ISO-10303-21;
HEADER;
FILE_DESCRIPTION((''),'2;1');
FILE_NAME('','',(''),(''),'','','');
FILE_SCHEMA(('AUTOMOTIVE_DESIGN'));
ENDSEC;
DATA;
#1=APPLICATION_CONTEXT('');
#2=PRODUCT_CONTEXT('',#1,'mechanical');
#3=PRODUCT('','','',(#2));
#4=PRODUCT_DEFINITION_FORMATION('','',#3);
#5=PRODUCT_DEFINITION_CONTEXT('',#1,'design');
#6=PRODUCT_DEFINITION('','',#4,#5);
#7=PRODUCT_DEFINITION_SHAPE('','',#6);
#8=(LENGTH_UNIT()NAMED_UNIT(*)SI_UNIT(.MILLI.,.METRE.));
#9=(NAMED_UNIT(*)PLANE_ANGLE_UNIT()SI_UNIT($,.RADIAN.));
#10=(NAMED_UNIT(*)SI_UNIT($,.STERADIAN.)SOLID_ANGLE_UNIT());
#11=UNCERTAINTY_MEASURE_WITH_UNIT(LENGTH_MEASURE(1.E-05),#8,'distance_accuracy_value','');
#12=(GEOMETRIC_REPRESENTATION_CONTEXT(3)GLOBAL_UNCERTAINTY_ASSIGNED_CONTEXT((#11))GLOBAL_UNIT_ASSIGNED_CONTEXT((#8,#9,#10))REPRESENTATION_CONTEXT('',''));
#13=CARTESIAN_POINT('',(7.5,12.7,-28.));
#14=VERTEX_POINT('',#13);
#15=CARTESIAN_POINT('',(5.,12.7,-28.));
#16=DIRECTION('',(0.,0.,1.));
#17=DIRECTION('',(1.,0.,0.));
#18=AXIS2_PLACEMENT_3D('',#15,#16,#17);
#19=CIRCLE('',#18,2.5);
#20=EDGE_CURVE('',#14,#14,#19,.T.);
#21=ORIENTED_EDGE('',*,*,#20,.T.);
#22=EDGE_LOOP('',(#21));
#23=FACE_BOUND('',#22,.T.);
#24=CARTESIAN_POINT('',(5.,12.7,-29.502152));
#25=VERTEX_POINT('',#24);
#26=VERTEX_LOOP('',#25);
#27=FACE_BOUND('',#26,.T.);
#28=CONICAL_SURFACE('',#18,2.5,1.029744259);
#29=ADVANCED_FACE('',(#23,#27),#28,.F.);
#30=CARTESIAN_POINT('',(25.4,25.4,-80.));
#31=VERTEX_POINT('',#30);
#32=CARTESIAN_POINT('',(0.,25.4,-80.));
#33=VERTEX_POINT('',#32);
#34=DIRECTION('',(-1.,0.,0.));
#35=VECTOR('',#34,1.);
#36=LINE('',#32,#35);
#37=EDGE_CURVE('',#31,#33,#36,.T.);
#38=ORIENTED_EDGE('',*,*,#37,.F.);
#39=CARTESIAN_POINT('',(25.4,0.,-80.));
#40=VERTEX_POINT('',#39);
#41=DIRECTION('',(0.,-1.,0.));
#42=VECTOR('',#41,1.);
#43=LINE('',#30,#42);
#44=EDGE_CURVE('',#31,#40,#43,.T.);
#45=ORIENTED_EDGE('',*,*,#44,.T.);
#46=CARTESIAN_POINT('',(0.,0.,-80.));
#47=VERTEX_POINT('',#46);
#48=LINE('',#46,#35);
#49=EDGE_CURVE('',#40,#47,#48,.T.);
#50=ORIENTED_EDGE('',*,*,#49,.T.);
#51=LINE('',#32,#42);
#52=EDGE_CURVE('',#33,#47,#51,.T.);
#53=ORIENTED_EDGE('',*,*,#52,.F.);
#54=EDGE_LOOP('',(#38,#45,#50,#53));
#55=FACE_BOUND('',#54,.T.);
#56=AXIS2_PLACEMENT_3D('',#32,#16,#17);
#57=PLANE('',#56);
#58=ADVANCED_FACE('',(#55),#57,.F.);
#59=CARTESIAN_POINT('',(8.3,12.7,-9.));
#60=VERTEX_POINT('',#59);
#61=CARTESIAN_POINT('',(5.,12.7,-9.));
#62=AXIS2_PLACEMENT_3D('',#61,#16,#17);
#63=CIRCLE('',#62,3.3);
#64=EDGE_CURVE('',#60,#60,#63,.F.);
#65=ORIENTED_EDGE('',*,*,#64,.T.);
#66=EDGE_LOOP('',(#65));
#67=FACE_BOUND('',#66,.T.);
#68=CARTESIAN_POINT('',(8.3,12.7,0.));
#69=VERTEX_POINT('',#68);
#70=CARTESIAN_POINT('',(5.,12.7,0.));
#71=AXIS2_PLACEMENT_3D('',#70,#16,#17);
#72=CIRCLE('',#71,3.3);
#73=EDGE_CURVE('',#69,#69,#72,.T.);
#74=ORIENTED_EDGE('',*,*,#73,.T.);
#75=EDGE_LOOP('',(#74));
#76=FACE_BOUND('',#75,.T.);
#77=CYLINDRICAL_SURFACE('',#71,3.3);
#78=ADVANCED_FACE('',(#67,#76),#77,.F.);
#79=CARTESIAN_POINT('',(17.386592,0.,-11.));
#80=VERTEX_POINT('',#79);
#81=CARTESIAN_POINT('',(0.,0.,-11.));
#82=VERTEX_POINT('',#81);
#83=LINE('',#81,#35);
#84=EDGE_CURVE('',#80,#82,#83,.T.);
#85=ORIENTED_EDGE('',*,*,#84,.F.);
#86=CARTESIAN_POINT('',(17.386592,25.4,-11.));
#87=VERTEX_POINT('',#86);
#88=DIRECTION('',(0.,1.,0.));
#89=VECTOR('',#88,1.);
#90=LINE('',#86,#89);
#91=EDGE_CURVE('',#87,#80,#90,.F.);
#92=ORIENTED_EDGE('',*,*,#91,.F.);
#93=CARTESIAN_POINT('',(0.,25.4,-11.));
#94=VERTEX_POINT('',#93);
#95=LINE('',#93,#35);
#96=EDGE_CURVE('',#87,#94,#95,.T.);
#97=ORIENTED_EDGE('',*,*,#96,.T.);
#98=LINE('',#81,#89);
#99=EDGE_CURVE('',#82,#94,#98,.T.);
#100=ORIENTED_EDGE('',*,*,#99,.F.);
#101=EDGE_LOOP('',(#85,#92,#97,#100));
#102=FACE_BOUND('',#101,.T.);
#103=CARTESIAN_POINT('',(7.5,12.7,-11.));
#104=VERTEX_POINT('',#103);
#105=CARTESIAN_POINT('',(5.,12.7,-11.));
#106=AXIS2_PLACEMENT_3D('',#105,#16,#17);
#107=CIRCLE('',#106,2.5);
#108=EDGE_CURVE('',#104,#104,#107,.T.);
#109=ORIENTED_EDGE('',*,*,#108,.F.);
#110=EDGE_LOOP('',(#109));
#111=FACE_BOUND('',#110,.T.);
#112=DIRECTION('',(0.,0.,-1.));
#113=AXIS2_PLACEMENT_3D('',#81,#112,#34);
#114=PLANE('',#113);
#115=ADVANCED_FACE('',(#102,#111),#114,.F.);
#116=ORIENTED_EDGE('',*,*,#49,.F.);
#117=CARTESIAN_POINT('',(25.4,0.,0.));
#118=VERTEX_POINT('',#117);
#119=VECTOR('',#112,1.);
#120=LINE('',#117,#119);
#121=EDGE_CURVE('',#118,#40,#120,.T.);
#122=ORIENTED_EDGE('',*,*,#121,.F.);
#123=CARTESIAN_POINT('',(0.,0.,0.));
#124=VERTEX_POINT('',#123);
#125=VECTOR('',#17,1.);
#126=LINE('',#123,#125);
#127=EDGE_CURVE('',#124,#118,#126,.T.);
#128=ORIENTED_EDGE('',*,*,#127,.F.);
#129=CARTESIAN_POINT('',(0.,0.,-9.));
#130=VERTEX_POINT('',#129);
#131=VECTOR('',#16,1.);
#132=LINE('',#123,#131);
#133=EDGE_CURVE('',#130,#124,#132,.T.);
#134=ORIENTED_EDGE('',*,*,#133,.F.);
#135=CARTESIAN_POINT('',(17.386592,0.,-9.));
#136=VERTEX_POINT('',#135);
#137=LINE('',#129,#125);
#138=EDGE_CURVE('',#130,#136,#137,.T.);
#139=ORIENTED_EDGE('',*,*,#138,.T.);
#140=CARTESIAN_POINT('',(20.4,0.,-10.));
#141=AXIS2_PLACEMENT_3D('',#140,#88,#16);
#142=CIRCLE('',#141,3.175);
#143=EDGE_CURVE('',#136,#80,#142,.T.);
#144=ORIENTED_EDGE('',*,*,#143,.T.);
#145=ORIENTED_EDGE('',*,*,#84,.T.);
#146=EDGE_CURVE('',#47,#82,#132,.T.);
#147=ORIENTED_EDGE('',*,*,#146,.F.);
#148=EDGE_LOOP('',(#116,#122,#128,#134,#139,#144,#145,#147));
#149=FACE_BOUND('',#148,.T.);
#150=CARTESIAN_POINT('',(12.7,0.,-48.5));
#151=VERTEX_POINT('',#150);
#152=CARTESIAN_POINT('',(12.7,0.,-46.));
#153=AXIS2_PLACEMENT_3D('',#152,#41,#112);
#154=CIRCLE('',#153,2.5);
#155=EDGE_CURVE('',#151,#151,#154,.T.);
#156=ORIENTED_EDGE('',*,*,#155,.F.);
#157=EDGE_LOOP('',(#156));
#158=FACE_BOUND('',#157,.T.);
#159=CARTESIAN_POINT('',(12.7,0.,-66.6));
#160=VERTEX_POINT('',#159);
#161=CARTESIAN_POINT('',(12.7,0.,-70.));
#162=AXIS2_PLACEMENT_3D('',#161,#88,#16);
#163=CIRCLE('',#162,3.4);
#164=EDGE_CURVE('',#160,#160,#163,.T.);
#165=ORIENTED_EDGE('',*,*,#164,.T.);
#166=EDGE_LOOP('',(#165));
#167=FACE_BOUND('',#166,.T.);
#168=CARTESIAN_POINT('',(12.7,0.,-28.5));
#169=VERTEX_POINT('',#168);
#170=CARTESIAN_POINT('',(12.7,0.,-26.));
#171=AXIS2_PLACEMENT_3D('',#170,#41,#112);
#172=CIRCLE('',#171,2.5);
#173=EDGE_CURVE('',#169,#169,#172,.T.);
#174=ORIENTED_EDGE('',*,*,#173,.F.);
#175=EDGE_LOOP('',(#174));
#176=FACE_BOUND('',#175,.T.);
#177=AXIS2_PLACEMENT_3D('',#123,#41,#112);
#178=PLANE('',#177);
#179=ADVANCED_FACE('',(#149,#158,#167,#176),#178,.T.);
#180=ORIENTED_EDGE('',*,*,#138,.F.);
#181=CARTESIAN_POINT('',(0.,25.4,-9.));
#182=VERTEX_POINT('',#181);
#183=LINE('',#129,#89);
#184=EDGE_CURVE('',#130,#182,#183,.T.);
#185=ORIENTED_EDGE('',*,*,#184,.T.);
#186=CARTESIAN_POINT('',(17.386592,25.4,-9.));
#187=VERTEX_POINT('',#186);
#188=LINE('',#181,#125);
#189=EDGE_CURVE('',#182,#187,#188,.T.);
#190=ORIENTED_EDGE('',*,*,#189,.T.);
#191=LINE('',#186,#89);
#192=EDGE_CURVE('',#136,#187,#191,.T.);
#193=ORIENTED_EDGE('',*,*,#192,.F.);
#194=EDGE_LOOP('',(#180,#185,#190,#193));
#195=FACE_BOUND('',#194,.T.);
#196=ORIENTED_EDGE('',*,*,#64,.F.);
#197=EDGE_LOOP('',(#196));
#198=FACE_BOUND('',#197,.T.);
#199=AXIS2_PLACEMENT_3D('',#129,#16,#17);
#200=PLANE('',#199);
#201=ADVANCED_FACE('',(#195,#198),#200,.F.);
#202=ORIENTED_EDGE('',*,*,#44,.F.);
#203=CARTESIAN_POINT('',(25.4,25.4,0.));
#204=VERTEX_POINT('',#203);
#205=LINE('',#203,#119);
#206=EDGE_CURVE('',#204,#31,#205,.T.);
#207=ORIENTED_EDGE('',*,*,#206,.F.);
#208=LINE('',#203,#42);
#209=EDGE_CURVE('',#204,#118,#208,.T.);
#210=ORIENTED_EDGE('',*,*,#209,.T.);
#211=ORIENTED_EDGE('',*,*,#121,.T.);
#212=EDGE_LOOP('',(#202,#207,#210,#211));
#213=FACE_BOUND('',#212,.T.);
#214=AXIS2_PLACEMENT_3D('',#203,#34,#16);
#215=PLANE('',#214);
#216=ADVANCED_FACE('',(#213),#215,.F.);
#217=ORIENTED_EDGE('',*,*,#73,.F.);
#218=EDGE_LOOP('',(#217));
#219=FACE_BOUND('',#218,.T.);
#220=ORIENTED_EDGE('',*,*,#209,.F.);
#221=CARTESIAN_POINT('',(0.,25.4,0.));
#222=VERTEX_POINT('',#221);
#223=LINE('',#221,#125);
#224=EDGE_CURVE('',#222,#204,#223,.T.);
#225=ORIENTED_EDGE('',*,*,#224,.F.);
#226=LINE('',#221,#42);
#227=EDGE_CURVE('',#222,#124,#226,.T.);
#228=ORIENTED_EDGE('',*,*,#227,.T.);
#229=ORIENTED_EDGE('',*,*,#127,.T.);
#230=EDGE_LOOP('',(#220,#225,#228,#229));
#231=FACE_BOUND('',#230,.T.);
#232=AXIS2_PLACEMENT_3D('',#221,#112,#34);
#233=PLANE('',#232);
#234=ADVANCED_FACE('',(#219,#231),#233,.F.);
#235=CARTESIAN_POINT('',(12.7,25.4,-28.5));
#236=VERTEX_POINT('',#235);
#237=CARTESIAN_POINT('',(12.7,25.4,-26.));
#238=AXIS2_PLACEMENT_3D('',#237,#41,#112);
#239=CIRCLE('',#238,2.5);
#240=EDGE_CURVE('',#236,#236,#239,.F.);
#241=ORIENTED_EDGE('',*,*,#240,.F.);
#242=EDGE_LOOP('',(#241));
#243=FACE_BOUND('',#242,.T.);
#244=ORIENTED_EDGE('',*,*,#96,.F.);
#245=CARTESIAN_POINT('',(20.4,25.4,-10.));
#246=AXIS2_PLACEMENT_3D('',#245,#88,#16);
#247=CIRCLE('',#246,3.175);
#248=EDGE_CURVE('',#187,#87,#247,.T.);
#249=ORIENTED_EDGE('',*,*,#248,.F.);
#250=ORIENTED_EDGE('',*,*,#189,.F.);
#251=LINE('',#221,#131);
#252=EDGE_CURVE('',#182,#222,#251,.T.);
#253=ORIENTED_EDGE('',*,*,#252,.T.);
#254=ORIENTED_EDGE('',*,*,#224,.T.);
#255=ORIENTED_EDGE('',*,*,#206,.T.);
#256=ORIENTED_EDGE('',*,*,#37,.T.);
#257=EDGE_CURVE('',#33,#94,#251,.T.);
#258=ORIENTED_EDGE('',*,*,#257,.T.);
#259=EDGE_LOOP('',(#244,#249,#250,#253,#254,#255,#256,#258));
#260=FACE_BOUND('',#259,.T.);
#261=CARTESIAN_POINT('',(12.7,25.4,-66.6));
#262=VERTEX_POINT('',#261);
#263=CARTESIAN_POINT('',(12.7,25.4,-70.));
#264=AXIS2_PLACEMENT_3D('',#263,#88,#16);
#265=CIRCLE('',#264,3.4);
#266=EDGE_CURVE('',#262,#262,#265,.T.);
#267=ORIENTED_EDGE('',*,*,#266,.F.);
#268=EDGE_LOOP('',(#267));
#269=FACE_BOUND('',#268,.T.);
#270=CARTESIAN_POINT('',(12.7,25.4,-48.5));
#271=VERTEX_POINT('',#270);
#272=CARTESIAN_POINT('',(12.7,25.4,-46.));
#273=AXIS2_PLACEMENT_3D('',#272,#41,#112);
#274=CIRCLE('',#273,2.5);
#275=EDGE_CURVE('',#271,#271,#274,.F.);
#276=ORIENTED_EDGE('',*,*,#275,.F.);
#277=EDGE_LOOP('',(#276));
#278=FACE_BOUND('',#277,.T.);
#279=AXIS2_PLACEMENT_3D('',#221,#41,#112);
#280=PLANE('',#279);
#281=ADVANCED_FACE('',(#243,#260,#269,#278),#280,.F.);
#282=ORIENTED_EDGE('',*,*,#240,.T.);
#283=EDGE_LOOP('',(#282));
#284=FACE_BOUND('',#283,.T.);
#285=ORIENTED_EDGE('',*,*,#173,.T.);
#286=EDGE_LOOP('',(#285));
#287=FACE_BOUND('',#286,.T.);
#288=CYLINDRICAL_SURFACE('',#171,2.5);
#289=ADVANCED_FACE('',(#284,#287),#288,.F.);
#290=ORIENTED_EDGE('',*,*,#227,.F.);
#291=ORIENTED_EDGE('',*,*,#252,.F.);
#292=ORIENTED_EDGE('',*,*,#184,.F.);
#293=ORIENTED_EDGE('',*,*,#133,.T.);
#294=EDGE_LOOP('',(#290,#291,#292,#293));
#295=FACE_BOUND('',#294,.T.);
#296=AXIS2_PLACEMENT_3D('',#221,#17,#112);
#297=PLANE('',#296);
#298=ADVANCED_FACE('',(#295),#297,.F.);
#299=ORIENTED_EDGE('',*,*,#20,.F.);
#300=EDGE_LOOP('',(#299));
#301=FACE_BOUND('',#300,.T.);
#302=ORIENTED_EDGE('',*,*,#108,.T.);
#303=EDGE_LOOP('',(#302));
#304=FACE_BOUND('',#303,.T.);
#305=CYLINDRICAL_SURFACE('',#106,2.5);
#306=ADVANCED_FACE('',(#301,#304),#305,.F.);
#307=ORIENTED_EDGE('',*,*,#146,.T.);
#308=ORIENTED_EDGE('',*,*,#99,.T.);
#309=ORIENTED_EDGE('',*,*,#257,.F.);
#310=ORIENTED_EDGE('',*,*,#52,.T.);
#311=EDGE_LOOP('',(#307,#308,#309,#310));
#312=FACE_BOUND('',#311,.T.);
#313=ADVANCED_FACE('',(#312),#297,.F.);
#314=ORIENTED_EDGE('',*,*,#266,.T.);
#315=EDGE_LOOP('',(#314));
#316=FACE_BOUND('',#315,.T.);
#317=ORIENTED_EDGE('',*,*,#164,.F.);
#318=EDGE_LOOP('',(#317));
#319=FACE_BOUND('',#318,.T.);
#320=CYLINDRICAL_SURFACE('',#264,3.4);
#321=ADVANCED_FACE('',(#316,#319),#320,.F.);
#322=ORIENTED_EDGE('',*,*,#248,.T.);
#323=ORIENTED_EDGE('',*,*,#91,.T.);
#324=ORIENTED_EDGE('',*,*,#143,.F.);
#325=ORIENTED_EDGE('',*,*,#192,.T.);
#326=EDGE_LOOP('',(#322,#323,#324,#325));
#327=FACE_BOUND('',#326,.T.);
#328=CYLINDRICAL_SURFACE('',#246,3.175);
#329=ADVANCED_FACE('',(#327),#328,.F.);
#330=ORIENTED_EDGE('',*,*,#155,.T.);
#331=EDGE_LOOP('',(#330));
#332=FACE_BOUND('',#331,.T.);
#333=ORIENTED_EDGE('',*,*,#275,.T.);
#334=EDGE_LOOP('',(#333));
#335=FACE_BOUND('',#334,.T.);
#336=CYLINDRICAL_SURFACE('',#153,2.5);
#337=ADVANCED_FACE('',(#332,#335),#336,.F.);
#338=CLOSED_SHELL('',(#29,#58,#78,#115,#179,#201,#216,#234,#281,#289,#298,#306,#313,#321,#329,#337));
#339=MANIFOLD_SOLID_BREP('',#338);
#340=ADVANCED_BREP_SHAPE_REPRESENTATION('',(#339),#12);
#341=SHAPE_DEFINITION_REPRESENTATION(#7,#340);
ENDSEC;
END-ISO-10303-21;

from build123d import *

# Parameters (mm, degrees)
SKETCH1_W                   = 25.4
SKETCH1_H                   = 80
BOSS_EXTRUDE1_DEPTH         = 25.4
F_1_4_0_25_DIAMETER_HOLE1_D = 6.35
SKETCH4_W                   = 20.4
SKETCH4_H                   = 2
CUT_EXTRUDE1_DEPTH          = 88.694469609
M6_CLEARANCE_HOLE1_REACH    = 89.694
M6_CLEARANCE_HOLE1_BORE_R   = 3.3
M6X1_0_TAPPED_HOLE1_D       = 5
M6X1_0_TAPPED_HOLE1_DEPTH   = 17
M6X1_0_TAPPED_HOLE1_TIP     = 1.502151548
M8X1_25_TAPPED_HOLE1_D      = 6.8
M6X1_0_TAPPED_HOLE2_D       = 5


with BuildPart() as part:
    # Sketch1 → Boss-Extrude1 (new body)
    with BuildSketch(Plane(origin=(0, 0, 0), x_dir=(1, 0, 0), z_dir=(0, 1, 0))):
        with Locations((12.7, 40)):
            Rectangle(SKETCH1_W, SKETCH1_H)
    extrude(amount=BOSS_EXTRUDE1_DEPTH)

    # 1/4 (0.25) Diameter Hole1 (through all)
    with Locations(Plane(origin=(0, 25.4, 0), x_dir=(1, 0, 0), z_dir=(0, 1, 0))):
        with Locations((20.4, 10)):
            Hole(F_1_4_0_25_DIAMETER_HOLE1_D / 2)

    # Sketch4 → Cut-Extrude1 (cut, through all)
    with BuildSketch(Plane(origin=(0, 25.4, 0), x_dir=(1, 0, 0), z_dir=(0, 1, 0))):
        with Locations((10.2, 10)):
            Rectangle(SKETCH4_W, SKETCH4_H)
    extrude(amount=-CUT_EXTRUDE1_DEPTH, mode=Mode.SUBTRACT)

    # M6 Clearance Hole1 bore → M6 Clearance Hole1 (cut, up to next)
    with BuildSketch(Plane.XY, mode=Mode.PRIVATE) as m6_clearance_hole1_sk1:
        with Locations((5, 12.7)):
            Circle(M6_CLEARANCE_HOLE1_BORE_R)
    m6_clearance_hole1_tool1 = extrude(m6_clearance_hole1_sk1.sketch, amount=-M6_CLEARANCE_HOLE1_REACH, mode=Mode.PRIVATE) & part.part
    add(m6_clearance_hole1_tool1.solids().sort_by_distance((5, 12.7, 0))[0], mode=Mode.SUBTRACT)

    # M6x1.0 Tapped Hole1
    with Locations(Plane.XY.offset(-11)):
        with Locations((5, 12.7)):
            Hole(M6X1_0_TAPPED_HOLE1_D / 2, depth=M6X1_0_TAPPED_HOLE1_DEPTH)
            with Locations((0, 0, -(M6X1_0_TAPPED_HOLE1_DEPTH + M6X1_0_TAPPED_HOLE1_TIP / 2))):  # 118° drill point
                Cone(0, M6X1_0_TAPPED_HOLE1_D / 2, M6X1_0_TAPPED_HOLE1_TIP, mode=Mode.SUBTRACT)

    # M8x1.25 Tapped Hole1 (through all)
    with Locations(Plane(origin=(0, 25.4, 0), x_dir=(1, 0, 0), z_dir=(0, 1, 0))):
        with Locations((12.7, 70)):
            Hole(M8X1_25_TAPPED_HOLE1_D / 2)

    # M6x1.0 Tapped Hole2 (through all)
    with Locations(Plane(origin=(0, 0, 0), x_dir=(-1, 0, 0), z_dir=(0, -1, 0))):
        with Locations((-12.7, 26), (-12.7, 46)):
            Hole(M6X1_0_TAPPED_HOLE2_D / 2)


solid = part.part
